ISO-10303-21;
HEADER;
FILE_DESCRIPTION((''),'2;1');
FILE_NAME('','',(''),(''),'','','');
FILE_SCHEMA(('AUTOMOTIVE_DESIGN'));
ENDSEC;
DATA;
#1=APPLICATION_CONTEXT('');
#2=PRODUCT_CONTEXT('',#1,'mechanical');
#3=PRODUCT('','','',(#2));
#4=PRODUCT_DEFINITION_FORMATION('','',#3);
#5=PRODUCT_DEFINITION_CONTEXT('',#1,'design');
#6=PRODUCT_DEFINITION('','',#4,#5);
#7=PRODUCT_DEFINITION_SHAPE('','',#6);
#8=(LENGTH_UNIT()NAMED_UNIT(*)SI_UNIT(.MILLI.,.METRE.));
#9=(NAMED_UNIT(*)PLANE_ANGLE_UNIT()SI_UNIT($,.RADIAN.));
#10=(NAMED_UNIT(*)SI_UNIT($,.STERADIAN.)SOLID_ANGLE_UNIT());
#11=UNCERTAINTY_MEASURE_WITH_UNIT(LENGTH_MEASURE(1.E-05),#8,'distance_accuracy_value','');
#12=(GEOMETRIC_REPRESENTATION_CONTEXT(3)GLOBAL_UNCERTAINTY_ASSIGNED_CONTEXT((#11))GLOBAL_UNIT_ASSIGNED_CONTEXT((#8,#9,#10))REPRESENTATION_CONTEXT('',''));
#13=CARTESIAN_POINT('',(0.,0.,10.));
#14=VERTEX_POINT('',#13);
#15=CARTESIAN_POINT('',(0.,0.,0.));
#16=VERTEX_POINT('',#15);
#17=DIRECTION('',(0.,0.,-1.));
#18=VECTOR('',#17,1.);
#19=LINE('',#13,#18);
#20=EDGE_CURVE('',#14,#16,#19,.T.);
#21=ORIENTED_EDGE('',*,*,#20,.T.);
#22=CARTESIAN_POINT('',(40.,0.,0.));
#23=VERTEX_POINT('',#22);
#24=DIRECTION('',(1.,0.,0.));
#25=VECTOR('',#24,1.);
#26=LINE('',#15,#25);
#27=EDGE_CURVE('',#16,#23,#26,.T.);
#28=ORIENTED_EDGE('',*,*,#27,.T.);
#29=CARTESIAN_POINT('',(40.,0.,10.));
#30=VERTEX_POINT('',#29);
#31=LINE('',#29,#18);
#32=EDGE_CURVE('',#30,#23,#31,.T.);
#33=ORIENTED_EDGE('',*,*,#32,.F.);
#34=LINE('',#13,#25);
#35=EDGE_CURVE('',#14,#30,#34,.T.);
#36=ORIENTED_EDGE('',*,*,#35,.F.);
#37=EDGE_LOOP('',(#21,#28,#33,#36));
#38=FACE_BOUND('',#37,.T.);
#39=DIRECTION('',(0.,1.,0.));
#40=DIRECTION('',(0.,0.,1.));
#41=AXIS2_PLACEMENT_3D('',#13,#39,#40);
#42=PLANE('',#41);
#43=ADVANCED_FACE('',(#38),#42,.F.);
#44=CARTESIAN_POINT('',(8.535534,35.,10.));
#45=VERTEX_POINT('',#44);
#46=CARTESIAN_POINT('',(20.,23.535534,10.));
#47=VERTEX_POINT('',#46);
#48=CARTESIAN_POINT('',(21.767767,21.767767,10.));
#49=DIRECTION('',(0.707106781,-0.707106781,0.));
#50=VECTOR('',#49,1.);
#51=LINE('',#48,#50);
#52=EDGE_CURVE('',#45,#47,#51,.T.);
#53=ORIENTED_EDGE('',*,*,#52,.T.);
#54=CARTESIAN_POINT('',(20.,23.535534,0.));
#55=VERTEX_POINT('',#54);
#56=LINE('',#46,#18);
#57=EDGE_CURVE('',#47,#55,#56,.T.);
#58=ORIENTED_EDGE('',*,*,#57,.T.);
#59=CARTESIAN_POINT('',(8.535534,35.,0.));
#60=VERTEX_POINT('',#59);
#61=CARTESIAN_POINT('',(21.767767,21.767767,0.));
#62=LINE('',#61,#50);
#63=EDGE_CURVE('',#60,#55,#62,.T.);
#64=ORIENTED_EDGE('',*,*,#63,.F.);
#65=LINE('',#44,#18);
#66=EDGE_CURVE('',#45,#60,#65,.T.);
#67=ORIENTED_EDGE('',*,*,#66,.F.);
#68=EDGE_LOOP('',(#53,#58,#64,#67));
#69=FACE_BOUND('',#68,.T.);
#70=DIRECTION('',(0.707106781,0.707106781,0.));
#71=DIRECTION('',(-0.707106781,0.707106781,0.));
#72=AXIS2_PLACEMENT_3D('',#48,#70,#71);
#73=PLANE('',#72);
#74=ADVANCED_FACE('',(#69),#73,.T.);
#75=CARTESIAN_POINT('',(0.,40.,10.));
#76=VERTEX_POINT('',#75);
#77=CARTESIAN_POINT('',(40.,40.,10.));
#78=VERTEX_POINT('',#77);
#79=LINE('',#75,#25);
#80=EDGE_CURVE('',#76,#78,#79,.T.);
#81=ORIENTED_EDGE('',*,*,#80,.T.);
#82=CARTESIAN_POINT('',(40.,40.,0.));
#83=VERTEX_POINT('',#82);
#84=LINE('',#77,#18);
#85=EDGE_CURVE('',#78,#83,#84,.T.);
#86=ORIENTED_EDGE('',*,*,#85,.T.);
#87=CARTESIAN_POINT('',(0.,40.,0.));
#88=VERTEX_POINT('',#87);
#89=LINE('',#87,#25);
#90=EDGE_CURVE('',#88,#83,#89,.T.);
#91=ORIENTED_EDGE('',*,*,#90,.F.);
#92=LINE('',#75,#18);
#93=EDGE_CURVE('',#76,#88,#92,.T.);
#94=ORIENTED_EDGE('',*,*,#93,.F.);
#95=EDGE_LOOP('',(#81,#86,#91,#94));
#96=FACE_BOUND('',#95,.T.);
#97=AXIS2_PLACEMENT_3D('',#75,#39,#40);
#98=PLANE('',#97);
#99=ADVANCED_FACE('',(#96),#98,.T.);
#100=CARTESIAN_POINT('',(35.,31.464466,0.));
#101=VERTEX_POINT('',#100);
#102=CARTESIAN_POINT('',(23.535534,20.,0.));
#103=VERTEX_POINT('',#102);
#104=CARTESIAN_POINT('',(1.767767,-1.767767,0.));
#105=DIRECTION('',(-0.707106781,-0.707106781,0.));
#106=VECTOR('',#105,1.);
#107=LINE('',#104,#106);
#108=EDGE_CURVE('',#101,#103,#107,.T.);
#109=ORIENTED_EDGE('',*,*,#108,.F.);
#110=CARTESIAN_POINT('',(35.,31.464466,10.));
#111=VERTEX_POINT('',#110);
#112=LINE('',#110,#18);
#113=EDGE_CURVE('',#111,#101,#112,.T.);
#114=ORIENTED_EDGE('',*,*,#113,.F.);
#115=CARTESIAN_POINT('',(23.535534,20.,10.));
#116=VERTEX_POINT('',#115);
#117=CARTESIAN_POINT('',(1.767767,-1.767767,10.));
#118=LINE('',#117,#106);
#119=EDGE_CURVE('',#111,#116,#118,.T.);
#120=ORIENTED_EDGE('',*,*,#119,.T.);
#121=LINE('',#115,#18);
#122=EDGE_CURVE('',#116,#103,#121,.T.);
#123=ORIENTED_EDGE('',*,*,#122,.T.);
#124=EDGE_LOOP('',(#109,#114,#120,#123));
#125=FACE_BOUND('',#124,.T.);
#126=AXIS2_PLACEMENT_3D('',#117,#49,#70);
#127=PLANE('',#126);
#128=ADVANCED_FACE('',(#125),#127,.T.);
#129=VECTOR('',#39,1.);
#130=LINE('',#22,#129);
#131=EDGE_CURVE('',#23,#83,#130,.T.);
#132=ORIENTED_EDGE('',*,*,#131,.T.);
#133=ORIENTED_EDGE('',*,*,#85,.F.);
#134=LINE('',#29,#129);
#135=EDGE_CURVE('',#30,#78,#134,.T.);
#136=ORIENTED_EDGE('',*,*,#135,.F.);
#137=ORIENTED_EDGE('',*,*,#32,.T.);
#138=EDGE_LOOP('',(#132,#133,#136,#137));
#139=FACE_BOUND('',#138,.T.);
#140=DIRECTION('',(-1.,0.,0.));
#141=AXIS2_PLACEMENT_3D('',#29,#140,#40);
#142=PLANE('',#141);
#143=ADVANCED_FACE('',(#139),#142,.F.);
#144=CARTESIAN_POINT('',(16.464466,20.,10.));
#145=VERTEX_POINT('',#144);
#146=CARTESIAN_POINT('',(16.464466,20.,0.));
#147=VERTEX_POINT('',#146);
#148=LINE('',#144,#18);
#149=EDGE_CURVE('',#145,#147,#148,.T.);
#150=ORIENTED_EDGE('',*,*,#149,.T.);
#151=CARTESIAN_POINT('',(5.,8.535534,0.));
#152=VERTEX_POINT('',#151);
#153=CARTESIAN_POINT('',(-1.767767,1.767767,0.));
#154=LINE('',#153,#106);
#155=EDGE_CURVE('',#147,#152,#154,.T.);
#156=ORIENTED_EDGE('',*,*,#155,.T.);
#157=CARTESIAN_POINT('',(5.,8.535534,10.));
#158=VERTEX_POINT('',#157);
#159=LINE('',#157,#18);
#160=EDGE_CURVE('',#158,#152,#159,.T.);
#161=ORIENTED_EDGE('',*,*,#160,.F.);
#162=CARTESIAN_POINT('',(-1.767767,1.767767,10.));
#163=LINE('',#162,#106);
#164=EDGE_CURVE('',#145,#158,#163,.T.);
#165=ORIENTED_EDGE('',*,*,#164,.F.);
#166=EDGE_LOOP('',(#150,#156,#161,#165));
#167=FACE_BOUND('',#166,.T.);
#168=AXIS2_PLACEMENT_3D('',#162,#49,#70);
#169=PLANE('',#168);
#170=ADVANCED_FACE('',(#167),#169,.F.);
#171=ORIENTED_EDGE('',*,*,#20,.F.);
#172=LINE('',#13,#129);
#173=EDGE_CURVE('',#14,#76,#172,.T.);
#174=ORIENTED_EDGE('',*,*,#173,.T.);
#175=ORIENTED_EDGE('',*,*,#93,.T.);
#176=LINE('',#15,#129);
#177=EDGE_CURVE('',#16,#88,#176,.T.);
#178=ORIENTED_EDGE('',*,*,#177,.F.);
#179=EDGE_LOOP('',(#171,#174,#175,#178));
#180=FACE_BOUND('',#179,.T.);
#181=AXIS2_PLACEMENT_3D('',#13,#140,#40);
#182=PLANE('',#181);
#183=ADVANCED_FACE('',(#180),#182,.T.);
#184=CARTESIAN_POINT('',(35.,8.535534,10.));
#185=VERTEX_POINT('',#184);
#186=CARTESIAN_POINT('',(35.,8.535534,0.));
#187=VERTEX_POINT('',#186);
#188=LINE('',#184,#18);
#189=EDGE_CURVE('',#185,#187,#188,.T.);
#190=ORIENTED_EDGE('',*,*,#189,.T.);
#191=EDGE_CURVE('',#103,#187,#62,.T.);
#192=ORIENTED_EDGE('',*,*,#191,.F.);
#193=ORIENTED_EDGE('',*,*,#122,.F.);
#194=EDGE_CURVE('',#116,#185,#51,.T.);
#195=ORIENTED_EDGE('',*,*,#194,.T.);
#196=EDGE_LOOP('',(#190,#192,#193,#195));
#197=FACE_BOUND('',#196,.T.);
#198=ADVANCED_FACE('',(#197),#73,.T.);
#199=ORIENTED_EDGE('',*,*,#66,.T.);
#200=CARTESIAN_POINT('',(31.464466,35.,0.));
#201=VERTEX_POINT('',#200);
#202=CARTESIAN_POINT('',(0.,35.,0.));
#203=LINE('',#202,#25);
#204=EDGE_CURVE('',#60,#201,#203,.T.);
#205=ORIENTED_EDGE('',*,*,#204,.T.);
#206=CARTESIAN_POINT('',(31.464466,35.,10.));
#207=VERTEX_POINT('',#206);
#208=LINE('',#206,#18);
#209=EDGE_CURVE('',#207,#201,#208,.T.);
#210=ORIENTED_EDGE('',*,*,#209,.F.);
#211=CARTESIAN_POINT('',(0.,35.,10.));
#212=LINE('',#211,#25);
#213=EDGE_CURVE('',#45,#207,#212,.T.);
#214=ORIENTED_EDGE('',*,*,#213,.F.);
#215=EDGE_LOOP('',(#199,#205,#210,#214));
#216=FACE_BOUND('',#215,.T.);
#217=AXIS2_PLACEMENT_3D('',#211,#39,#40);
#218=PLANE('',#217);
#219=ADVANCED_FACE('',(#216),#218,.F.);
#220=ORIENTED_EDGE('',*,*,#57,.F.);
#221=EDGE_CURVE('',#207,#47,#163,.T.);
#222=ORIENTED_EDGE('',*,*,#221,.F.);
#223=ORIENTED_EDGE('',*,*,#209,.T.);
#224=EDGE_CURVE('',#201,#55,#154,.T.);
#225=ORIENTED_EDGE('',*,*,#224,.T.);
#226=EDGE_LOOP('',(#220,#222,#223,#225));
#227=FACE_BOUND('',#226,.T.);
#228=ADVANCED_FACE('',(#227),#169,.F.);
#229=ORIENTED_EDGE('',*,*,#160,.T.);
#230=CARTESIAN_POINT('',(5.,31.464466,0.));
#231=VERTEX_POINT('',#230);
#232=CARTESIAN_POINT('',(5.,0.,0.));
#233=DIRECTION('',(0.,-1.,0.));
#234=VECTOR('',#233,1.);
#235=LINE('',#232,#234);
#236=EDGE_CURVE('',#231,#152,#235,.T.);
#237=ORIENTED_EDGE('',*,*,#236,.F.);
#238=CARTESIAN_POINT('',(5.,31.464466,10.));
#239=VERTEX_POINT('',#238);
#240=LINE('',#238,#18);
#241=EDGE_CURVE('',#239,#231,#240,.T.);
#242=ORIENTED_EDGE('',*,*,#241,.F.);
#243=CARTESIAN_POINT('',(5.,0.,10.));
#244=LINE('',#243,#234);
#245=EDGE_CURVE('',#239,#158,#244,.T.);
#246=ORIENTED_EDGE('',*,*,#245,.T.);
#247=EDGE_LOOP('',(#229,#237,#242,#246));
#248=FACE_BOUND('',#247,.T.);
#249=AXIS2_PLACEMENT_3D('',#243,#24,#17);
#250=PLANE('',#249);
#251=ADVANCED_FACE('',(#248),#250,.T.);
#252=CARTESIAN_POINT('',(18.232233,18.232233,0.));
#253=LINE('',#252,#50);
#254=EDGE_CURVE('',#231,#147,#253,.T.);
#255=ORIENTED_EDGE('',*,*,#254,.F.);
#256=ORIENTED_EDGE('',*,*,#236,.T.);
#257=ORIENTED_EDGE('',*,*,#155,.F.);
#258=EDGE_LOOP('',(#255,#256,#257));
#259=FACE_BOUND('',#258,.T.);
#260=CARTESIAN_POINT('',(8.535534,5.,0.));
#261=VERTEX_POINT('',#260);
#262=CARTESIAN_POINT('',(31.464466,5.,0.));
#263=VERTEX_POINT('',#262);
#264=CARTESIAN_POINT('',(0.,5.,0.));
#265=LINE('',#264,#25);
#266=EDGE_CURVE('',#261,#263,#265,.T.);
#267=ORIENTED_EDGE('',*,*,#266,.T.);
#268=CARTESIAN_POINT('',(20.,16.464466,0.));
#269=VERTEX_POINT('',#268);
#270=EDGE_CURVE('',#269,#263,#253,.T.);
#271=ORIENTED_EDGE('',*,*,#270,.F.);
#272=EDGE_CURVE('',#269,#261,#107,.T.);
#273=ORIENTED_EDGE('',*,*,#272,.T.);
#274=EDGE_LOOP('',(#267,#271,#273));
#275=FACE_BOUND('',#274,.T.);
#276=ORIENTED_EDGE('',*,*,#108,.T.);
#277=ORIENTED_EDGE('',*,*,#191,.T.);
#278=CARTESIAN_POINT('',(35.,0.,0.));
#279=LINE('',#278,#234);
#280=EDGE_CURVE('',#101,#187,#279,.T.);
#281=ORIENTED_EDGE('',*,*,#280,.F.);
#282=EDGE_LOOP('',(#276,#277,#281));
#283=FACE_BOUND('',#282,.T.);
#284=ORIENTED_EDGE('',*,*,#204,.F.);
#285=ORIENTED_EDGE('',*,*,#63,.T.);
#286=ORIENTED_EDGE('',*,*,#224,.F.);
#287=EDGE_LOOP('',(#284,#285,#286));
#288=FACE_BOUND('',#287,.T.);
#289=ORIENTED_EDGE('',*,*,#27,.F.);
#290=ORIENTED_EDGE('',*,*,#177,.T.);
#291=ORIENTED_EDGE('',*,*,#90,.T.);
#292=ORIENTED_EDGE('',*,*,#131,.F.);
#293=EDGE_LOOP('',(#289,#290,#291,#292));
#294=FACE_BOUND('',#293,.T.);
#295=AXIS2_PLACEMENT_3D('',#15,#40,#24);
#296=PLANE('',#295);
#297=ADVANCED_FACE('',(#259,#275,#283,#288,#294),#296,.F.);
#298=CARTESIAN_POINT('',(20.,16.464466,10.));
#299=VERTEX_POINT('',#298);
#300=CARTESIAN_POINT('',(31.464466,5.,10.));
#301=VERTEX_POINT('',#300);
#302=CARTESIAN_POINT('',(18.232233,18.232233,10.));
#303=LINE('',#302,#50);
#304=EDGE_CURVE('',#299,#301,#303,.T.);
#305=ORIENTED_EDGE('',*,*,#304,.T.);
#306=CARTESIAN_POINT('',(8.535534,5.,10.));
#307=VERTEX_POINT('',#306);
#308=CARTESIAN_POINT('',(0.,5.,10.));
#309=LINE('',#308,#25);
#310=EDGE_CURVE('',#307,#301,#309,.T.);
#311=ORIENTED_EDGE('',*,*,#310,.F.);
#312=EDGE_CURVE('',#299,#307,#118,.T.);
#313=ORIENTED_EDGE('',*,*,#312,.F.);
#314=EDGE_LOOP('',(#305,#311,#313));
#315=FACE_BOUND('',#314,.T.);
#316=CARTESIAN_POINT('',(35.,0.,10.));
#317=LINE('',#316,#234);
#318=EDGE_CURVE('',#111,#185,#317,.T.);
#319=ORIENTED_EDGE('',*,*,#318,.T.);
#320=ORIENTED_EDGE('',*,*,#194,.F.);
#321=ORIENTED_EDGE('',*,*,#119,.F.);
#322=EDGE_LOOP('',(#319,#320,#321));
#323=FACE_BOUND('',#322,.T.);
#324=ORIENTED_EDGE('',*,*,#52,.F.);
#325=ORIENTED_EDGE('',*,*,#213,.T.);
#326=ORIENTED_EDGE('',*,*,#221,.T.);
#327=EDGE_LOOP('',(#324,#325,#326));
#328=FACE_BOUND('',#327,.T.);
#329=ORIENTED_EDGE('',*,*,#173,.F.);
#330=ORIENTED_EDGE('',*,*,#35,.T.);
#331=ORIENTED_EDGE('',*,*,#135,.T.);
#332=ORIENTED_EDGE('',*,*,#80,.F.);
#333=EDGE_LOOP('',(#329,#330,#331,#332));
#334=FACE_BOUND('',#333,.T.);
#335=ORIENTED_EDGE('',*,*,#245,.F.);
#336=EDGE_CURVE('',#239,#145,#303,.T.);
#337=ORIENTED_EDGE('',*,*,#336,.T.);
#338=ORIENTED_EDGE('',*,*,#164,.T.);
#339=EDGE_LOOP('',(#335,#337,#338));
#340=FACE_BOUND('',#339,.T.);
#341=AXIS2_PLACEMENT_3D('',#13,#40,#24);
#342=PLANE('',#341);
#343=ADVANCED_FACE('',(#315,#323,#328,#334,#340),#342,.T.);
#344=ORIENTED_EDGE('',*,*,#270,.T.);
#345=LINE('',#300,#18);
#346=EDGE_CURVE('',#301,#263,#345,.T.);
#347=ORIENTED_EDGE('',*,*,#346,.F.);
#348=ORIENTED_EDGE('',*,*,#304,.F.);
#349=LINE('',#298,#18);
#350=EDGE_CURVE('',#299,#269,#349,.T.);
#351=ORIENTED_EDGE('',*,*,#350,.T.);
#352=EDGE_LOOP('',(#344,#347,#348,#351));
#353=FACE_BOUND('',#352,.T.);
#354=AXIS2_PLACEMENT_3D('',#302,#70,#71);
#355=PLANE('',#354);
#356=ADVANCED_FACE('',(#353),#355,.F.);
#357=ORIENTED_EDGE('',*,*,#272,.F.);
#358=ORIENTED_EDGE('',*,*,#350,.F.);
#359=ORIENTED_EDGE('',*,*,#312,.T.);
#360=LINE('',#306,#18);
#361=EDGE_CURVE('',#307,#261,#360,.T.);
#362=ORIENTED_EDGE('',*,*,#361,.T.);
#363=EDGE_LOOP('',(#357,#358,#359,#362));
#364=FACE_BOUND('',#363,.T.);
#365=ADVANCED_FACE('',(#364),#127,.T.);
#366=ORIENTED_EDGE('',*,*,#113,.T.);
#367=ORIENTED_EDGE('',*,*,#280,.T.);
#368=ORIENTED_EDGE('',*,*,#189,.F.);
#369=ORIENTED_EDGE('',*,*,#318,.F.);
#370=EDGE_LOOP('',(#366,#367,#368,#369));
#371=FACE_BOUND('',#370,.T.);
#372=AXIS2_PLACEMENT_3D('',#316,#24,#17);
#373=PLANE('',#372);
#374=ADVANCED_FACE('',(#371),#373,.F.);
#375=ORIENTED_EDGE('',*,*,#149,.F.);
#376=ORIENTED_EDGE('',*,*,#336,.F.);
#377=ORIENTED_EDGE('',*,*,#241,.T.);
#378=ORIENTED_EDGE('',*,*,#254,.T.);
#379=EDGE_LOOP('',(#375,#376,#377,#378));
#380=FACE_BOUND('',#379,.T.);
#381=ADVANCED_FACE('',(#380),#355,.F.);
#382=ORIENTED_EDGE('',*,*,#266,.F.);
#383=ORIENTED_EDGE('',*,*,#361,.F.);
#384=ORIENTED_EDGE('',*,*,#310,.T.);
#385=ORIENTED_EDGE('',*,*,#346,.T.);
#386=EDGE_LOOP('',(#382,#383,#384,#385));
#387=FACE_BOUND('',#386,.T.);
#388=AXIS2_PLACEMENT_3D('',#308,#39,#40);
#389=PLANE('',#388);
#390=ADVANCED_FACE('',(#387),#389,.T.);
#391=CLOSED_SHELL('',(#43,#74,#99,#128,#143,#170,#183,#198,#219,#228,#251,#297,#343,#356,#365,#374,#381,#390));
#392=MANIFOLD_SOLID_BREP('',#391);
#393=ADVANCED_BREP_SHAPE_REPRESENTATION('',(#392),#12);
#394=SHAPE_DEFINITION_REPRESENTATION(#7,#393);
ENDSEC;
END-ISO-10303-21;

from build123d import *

# Parameters (mm, degrees)
SKETCH1_W           = 40
SKETCH1_H           = 40
BOSS_EXTRUDE1_DEPTH = 10


with BuildPart() as part:
    # Sketch1 → Boss-Extrude1 (new body)
    with BuildSketch(Plane.XY):
        with Locations((20, 20)):
            Rectangle(SKETCH1_W, SKETCH1_H)
        Polygon((5, 8.535533906), (5, 31.464466094), (16.464466094, 20), align=None, mode=Mode.SUBTRACT)
        Polygon((31.464466094, 5), (8.535533906, 5), (20, 16.464466094), align=None, mode=Mode.SUBTRACT)
        Polygon((35, 31.464466094), (35, 8.535533906), (23.535533906, 20), align=None, mode=Mode.SUBTRACT)
        Polygon((8.535533906, 35), (31.464466094, 35), (20, 23.535533906), align=None, mode=Mode.SUBTRACT)
    extrude(amount=BOSS_EXTRUDE1_DEPTH)


solid = part.part
